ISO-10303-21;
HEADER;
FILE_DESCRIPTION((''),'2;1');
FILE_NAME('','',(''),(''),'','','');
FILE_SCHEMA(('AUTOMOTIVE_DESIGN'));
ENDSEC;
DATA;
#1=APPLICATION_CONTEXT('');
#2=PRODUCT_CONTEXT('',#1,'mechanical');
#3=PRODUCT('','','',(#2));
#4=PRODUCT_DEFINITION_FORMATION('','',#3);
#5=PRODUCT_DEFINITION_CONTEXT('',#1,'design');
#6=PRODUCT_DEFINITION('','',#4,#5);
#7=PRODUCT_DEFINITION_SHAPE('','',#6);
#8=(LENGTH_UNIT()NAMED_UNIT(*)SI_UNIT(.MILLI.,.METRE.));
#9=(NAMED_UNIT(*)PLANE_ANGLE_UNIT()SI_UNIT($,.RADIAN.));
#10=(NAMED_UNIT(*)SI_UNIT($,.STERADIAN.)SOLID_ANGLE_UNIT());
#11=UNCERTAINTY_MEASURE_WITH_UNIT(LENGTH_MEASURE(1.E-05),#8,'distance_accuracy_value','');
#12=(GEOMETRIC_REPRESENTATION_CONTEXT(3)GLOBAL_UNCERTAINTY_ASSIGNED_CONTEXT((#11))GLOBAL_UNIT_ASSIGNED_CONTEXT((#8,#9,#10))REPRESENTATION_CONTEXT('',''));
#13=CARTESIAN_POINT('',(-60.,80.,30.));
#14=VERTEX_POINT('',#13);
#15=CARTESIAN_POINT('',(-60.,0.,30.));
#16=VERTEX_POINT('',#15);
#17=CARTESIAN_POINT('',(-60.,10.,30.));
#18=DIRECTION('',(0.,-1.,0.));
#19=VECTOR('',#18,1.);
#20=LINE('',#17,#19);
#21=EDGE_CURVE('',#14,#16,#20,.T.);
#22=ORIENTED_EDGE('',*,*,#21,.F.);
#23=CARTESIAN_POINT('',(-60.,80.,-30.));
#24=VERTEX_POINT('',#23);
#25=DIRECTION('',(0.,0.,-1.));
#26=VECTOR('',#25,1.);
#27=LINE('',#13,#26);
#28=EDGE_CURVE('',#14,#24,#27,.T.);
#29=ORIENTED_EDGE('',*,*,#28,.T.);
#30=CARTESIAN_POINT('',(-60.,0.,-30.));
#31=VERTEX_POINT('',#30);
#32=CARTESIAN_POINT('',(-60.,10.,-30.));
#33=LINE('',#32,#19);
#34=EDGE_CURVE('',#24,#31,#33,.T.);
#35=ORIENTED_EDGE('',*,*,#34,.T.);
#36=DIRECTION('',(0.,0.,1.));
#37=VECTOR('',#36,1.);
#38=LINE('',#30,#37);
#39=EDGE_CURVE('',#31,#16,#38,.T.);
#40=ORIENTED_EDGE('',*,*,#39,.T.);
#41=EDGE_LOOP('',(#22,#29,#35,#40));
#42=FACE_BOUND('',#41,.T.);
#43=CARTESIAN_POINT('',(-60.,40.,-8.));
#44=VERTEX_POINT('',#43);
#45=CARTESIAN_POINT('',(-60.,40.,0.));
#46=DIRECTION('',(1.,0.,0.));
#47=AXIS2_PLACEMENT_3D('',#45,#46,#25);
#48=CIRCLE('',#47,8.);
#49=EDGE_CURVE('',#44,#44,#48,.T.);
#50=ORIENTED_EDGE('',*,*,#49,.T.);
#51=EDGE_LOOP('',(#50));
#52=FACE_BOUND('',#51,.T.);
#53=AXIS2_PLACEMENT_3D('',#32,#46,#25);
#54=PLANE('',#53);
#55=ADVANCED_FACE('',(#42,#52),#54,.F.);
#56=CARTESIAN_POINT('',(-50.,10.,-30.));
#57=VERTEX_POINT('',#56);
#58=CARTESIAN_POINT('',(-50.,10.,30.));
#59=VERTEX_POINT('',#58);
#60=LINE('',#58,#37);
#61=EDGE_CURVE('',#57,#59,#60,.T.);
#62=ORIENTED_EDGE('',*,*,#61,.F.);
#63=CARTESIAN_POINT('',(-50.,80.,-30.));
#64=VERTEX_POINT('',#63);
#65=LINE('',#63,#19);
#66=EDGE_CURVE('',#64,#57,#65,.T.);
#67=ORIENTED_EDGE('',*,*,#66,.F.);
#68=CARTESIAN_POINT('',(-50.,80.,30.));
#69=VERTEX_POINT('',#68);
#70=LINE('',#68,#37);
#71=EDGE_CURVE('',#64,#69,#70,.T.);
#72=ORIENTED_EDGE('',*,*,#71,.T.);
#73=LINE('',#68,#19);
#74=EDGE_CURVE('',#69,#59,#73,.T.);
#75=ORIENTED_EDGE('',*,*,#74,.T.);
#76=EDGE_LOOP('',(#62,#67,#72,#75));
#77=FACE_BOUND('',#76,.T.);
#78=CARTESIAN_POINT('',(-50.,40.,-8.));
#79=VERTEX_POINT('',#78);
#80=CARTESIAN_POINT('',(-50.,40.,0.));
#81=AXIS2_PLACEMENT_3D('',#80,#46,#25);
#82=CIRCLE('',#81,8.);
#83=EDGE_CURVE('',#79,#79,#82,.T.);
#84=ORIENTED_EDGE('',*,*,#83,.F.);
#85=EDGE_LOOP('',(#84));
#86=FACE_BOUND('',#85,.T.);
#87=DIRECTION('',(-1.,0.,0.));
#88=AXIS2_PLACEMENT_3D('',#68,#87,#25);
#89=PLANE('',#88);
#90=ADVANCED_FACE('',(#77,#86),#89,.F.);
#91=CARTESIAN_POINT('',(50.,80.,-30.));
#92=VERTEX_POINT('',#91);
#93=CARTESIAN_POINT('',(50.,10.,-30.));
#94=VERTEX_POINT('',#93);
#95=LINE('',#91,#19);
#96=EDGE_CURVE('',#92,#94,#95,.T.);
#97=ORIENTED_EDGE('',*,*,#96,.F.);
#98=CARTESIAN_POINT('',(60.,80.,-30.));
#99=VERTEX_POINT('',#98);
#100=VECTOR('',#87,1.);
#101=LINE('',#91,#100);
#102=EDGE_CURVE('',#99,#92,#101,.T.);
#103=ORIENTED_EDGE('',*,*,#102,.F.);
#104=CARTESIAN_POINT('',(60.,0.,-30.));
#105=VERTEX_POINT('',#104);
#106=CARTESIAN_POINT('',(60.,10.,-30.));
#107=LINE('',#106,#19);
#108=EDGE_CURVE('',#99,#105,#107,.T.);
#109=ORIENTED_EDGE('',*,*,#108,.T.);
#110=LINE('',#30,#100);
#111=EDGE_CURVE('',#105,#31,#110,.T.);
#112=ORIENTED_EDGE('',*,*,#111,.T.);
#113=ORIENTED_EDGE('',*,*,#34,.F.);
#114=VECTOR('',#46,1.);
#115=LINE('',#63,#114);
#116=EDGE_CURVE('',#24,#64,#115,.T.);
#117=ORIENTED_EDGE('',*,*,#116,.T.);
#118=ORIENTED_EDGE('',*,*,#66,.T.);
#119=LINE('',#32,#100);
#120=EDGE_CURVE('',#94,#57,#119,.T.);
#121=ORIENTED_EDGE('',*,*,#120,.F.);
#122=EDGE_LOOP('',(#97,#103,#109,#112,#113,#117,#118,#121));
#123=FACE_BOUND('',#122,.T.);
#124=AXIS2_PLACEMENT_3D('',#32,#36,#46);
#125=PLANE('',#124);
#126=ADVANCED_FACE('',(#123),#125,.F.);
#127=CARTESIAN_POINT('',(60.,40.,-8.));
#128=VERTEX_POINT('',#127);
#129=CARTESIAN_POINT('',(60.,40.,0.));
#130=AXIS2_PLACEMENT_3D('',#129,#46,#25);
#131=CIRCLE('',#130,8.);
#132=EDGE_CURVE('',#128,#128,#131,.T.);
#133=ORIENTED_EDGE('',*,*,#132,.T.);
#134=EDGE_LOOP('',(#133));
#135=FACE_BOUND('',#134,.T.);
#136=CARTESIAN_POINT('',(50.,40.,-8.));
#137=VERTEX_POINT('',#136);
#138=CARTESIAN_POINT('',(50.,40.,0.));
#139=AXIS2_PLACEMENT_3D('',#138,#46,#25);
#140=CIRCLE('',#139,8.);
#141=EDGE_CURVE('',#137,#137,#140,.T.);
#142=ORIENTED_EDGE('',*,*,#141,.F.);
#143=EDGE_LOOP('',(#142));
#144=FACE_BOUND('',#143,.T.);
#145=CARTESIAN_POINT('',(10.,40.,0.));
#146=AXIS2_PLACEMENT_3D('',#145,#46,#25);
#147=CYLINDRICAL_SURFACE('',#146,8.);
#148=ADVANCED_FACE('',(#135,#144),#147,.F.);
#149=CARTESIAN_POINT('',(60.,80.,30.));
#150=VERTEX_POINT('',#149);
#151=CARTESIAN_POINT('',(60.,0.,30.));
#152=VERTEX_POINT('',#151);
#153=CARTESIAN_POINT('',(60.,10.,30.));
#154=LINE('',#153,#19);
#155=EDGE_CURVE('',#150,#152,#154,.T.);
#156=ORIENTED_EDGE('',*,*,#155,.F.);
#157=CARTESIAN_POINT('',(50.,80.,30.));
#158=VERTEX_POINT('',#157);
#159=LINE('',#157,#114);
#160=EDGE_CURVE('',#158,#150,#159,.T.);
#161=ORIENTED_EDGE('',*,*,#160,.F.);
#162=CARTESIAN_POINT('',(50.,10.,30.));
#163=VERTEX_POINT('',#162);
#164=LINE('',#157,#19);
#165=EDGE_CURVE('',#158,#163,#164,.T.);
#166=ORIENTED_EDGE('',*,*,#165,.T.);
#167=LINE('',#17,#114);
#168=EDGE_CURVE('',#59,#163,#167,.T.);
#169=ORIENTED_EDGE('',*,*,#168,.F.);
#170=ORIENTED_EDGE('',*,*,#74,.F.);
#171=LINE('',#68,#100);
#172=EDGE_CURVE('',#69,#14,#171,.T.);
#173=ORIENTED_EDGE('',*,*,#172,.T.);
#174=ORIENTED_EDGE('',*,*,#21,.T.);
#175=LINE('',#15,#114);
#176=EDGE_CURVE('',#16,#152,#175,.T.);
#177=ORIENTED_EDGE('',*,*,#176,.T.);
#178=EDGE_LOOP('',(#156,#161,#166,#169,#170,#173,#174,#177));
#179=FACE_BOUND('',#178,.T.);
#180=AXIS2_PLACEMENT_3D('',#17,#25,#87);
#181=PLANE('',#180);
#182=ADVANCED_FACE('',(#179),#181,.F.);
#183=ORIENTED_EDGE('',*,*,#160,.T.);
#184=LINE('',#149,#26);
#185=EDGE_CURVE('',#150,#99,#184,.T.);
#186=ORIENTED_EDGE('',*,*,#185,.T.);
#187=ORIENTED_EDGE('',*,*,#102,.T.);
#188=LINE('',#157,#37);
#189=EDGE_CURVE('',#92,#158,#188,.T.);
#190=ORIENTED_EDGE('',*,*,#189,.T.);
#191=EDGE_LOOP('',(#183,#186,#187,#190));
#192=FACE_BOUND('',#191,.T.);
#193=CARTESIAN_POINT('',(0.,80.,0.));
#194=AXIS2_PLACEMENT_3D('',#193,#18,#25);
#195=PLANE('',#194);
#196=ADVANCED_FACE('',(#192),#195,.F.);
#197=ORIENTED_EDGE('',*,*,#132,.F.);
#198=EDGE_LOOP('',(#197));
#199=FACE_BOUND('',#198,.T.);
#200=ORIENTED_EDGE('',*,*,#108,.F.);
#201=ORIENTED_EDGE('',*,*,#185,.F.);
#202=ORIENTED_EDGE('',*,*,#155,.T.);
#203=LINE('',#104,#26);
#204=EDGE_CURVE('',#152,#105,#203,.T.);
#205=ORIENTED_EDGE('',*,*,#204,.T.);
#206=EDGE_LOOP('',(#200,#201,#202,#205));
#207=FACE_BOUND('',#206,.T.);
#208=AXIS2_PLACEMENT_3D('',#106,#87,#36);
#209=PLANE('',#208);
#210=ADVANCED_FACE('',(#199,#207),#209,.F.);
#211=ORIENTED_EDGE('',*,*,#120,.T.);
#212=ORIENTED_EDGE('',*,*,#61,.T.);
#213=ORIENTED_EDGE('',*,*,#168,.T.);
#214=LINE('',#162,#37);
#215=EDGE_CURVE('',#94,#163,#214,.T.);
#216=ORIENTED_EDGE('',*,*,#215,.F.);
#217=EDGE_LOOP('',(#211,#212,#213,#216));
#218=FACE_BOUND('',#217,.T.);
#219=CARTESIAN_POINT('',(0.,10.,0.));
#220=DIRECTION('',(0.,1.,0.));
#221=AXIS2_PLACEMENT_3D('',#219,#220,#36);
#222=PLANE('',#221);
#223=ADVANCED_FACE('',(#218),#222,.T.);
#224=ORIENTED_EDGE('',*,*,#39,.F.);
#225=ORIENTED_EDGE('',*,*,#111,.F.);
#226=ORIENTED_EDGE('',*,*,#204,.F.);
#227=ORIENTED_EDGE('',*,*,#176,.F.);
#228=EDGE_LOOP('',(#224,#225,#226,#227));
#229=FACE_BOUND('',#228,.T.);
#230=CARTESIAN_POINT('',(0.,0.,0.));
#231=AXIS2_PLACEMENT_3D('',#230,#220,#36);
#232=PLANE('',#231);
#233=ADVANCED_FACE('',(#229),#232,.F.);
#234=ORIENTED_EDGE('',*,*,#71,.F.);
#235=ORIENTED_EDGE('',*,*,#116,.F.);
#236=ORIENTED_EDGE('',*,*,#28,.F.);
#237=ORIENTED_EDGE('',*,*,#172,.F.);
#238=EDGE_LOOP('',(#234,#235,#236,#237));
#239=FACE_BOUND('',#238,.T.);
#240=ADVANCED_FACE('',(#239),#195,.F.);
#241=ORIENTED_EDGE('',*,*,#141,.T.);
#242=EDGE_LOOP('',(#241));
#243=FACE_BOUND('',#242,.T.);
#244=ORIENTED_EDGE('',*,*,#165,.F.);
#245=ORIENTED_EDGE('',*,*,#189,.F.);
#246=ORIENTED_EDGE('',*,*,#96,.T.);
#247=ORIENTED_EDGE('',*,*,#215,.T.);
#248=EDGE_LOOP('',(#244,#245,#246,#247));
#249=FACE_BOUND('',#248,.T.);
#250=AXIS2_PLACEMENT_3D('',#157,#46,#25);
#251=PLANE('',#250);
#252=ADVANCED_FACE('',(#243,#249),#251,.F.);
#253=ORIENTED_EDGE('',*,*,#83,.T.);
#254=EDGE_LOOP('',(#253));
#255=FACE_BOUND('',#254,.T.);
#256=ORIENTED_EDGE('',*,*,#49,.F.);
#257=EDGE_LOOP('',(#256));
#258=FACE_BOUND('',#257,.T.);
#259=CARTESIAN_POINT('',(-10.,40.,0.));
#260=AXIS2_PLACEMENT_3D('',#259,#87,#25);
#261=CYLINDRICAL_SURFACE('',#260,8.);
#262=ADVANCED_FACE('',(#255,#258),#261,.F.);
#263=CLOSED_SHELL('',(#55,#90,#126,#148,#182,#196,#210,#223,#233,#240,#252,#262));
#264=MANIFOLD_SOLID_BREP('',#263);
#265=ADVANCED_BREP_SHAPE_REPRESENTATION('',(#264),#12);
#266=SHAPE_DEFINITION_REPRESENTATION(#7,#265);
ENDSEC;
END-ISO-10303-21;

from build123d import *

# Parameters (mm, degrees)
SKETCH2_W        = 120
SKETCH2_H        = 60
BASE_DEPTH       = 10
SKETCH5_W        = 10
SKETCH5_H        = 60
UPRIGHT_DEPTH    = 70
SKETCH6_R        = 8
SHAFT_HOLE_DEPTH = 50


with BuildPart() as part:
    # Sketch2 → Base (new body)
    with BuildSketch(Plane(origin=(0, 0, 0), x_dir=(1, 0, 0), z_dir=(0, 1, 0))):
        Rectangle(SKETCH2_W, SKETCH2_H)
    extrude(amount=BASE_DEPTH)

    # Sketch5 → Upright (add)
    with BuildSketch(Plane(origin=(0, 10, 0), x_dir=(1, 0, 0), z_dir=(0, 1, 0))):
        with Locations((55, 0)):
            Rectangle(SKETCH5_W, SKETCH5_H)
    extrude(amount=UPRIGHT_DEPTH)

    # Sketch6 → Shaft Hole (cut)
    with BuildSketch(Plane(origin=(60, 0, 0), x_dir=(0, 0, -1), z_dir=(1, 0, 0))):
        with Locations((0, 40)):
            Circle(SKETCH6_R)
    extrude(amount=-SHAFT_HOLE_DEPTH, mode=Mode.SUBTRACT)

    # Mirror 2: part across plane


with BuildPart() as part_1:
    add(part.part)
    add(part.part.mirror(Plane(origin=(0, 0, 0), x_dir=(0, 0, 1), z_dir=(1, 0, 0))))


solid = part_1.part
